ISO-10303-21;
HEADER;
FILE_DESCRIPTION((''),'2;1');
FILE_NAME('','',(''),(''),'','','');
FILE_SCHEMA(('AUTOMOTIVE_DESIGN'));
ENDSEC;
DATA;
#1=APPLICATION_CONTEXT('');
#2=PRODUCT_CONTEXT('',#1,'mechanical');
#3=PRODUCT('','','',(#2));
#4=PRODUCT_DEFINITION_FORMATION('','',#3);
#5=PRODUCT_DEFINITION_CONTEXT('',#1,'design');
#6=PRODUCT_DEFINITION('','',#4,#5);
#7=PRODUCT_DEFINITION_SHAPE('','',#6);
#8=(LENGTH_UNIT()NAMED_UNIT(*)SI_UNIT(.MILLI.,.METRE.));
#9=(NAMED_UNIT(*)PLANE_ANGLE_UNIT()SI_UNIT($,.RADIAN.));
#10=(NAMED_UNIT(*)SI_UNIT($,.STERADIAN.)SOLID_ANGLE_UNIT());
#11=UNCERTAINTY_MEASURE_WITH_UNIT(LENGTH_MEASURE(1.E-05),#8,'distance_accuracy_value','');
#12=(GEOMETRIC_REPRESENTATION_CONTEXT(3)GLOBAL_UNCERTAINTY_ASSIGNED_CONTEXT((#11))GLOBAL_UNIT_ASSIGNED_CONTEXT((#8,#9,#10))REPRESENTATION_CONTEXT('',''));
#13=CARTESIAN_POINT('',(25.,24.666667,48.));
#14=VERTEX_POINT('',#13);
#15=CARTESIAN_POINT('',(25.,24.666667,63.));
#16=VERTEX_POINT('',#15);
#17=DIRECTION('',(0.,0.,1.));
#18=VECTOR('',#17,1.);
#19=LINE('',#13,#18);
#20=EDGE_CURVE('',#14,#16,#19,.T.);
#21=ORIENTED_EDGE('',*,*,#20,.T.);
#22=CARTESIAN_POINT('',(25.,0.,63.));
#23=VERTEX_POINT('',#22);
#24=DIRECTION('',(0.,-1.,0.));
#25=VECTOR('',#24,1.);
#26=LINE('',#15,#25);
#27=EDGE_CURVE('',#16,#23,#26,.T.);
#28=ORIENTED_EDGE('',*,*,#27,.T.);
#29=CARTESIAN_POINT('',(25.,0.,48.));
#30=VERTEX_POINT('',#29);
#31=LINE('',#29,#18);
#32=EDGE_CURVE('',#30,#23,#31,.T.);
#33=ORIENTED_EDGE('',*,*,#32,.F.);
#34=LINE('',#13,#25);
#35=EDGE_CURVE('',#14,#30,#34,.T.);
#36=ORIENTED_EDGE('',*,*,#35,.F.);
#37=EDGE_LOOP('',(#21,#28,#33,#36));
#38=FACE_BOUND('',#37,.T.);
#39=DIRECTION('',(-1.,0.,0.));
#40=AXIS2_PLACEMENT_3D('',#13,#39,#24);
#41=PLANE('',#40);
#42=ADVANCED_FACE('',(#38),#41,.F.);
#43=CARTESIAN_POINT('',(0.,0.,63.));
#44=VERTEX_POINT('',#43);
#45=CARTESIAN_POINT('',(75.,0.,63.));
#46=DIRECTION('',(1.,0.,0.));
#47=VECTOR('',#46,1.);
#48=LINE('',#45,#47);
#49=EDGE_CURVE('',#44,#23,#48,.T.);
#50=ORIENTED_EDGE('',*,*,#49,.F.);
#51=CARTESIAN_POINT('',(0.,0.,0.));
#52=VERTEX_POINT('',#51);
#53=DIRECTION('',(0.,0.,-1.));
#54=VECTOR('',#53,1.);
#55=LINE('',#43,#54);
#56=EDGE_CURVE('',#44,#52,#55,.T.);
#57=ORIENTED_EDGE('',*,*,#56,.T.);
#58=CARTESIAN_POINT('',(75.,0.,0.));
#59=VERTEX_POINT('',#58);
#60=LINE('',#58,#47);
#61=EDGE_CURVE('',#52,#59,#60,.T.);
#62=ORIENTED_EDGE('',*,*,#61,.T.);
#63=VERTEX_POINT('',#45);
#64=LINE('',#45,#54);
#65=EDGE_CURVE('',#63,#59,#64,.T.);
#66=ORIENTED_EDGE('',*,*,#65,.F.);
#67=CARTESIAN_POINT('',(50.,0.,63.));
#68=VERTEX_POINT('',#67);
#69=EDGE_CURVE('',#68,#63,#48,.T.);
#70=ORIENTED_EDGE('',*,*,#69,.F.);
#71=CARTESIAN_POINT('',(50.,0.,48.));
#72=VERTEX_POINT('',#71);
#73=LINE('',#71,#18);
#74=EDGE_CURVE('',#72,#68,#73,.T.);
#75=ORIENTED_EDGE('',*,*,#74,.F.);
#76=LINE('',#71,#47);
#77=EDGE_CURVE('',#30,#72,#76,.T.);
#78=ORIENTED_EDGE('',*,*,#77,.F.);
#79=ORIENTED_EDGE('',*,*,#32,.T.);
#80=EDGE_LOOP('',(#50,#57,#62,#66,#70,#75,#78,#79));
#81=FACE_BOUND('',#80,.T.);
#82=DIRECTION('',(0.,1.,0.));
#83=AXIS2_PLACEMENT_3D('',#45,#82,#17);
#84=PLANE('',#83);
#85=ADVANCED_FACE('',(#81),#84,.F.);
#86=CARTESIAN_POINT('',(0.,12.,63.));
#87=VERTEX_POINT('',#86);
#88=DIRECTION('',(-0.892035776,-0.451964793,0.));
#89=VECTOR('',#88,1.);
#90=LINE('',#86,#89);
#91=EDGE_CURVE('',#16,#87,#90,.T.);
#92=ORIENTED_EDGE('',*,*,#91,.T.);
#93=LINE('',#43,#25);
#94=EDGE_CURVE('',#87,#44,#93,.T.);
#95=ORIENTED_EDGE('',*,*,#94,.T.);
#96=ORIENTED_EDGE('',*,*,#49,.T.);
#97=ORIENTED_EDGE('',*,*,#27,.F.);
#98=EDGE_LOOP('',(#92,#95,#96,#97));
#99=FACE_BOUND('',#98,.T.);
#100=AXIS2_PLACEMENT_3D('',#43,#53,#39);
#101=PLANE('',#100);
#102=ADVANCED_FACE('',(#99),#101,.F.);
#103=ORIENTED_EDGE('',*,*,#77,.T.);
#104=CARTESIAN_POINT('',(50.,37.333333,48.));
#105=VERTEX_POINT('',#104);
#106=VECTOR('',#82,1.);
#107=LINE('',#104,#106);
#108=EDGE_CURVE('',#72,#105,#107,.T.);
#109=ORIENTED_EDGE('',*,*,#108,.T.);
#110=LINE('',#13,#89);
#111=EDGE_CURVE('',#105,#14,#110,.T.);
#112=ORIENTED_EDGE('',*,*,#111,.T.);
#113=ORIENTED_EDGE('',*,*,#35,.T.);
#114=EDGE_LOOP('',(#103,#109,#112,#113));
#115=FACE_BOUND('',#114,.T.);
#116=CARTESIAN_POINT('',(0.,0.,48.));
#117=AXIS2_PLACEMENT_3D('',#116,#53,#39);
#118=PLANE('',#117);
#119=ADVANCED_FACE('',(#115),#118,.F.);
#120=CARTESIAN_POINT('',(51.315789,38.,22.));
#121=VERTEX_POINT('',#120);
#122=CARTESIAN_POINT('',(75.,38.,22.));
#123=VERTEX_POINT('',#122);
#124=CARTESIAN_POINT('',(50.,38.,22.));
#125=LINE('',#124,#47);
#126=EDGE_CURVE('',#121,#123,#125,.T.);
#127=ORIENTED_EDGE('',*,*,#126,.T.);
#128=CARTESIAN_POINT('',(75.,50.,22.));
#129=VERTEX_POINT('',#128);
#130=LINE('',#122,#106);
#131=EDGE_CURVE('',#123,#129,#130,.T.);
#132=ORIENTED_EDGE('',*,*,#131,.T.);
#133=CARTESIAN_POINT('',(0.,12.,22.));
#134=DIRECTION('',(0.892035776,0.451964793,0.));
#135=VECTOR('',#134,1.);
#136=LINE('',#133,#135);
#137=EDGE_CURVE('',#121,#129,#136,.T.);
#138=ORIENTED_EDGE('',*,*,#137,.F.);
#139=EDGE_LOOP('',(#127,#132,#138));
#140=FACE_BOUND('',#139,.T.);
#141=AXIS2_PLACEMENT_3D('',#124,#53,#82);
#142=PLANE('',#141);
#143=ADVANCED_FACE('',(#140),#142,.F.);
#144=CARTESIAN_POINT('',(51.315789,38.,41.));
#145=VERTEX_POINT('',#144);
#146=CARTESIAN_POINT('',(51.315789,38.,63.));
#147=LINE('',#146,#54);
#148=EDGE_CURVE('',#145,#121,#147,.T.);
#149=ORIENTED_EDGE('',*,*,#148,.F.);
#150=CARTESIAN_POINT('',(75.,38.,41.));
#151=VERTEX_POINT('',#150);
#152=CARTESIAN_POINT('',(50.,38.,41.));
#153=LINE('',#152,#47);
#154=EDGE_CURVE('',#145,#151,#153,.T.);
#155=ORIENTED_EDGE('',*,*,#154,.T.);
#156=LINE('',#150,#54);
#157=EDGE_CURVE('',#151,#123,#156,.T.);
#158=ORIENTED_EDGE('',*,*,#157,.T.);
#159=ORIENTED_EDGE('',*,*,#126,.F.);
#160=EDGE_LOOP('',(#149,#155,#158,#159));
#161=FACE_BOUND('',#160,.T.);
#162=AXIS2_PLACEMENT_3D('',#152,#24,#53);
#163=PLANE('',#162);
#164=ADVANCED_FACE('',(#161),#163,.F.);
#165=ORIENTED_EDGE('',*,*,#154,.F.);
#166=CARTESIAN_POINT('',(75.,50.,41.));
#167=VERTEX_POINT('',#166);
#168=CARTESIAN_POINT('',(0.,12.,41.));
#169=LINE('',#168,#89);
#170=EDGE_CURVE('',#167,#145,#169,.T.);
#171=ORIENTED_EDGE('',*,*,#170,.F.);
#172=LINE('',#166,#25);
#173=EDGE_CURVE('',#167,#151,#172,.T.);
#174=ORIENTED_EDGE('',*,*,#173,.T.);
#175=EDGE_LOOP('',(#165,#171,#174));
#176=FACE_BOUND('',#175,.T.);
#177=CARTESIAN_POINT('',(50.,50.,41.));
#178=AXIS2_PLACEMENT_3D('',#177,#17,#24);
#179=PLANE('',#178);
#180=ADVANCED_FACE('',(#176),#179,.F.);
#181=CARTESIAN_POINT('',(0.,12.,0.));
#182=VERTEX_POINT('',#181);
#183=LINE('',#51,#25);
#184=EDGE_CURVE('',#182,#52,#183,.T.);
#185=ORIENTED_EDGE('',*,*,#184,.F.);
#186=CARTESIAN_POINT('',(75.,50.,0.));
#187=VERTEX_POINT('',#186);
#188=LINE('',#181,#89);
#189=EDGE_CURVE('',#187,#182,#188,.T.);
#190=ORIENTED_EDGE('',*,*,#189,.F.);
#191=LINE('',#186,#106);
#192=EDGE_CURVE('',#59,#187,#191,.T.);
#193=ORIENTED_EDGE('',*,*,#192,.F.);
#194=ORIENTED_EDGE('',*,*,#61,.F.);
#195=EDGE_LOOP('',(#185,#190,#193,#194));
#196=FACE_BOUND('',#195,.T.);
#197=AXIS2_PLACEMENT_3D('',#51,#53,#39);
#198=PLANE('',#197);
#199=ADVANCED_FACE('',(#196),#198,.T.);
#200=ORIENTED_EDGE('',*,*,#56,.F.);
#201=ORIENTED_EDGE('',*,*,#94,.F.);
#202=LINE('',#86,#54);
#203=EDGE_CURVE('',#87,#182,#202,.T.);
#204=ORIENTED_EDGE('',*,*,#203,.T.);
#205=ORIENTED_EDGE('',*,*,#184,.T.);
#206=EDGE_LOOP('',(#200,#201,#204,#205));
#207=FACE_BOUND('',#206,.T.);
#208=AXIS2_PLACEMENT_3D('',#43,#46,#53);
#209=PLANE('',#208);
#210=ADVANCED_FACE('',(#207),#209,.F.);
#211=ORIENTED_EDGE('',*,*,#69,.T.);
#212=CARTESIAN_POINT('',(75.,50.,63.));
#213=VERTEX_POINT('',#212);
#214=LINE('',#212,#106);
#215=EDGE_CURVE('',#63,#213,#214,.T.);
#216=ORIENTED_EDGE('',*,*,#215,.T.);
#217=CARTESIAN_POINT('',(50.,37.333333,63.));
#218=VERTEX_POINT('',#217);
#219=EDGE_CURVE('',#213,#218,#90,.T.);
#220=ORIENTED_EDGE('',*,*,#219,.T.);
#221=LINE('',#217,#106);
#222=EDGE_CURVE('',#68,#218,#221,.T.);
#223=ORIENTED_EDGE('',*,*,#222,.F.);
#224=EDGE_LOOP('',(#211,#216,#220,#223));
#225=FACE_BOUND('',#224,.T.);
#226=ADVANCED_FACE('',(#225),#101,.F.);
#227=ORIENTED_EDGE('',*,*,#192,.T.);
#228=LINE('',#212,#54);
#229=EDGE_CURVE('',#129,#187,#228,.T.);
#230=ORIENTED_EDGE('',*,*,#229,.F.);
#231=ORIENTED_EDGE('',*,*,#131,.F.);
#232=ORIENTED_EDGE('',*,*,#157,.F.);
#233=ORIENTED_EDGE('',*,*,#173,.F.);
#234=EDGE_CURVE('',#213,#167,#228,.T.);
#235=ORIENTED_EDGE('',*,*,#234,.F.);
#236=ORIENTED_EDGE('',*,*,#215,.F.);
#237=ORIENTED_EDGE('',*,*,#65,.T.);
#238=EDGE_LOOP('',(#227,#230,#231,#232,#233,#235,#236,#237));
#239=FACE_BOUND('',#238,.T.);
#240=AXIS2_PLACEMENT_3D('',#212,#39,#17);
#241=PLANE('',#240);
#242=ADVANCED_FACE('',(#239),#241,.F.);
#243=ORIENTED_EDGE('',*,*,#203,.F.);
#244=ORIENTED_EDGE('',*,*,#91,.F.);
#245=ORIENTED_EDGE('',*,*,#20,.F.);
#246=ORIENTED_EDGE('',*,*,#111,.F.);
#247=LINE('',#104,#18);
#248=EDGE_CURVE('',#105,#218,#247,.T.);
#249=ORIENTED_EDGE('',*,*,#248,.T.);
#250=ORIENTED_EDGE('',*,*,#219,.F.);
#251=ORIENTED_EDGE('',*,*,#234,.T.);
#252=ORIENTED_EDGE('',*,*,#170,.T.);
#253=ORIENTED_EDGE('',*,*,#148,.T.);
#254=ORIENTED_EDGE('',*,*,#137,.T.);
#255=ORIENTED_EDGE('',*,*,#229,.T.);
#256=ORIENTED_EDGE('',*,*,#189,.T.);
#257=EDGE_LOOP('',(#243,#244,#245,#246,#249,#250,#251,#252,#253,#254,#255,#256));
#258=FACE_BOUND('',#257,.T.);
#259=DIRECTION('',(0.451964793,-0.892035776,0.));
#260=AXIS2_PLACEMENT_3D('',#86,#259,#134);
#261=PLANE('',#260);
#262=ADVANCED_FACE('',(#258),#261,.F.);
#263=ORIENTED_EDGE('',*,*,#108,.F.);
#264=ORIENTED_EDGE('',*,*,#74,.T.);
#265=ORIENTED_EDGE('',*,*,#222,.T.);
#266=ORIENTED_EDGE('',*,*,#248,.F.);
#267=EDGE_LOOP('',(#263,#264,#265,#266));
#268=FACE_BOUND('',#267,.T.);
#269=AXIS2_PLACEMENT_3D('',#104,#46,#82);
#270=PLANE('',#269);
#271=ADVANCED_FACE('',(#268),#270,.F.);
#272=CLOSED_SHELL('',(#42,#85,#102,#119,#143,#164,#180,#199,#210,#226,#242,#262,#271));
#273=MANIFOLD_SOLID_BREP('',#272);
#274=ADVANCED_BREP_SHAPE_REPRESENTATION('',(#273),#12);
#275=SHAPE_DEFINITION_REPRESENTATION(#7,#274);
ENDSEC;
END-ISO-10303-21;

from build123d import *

# Parameters (mm, degrees)
BOSS_EXTRUDE1_DEPTH = 63
CUT_EXTRUDE1_DEPTH  = 15
SKETCH6_W           = 19
SKETCH6_H           = 12
CUT_EXTRUDE3_DEPTH  = 25


with BuildPart() as part:
    # Sketch1 → Boss-Extrude1 (new body)
    with BuildSketch(Plane.XY):
        Polygon((75, 0), (0, 0), (0, 12), (75, 50), align=None)
    extrude(amount=BOSS_EXTRUDE1_DEPTH)

    # Sketch2 → Cut-Extrude1 (cut)
    with BuildSketch(Plane.XY.offset(63)):
        Polygon((25, 24.666666667), (25, 0), (50, 0), (50, 37.333333333), align=None)
    extrude(amount=-CUT_EXTRUDE1_DEPTH, mode=Mode.SUBTRACT)

    # Sketch6 → Cut-Extrude3 (cut)
    with BuildSketch(Plane(origin=(75, 0, 0), x_dir=(0, 0, -1), z_dir=(1, 0, 0))):
        with Locations((-31.5, 44)):
            Rectangle(SKETCH6_W, SKETCH6_H)
    extrude(amount=-CUT_EXTRUDE3_DEPTH, mode=Mode.SUBTRACT)


solid = part.part
